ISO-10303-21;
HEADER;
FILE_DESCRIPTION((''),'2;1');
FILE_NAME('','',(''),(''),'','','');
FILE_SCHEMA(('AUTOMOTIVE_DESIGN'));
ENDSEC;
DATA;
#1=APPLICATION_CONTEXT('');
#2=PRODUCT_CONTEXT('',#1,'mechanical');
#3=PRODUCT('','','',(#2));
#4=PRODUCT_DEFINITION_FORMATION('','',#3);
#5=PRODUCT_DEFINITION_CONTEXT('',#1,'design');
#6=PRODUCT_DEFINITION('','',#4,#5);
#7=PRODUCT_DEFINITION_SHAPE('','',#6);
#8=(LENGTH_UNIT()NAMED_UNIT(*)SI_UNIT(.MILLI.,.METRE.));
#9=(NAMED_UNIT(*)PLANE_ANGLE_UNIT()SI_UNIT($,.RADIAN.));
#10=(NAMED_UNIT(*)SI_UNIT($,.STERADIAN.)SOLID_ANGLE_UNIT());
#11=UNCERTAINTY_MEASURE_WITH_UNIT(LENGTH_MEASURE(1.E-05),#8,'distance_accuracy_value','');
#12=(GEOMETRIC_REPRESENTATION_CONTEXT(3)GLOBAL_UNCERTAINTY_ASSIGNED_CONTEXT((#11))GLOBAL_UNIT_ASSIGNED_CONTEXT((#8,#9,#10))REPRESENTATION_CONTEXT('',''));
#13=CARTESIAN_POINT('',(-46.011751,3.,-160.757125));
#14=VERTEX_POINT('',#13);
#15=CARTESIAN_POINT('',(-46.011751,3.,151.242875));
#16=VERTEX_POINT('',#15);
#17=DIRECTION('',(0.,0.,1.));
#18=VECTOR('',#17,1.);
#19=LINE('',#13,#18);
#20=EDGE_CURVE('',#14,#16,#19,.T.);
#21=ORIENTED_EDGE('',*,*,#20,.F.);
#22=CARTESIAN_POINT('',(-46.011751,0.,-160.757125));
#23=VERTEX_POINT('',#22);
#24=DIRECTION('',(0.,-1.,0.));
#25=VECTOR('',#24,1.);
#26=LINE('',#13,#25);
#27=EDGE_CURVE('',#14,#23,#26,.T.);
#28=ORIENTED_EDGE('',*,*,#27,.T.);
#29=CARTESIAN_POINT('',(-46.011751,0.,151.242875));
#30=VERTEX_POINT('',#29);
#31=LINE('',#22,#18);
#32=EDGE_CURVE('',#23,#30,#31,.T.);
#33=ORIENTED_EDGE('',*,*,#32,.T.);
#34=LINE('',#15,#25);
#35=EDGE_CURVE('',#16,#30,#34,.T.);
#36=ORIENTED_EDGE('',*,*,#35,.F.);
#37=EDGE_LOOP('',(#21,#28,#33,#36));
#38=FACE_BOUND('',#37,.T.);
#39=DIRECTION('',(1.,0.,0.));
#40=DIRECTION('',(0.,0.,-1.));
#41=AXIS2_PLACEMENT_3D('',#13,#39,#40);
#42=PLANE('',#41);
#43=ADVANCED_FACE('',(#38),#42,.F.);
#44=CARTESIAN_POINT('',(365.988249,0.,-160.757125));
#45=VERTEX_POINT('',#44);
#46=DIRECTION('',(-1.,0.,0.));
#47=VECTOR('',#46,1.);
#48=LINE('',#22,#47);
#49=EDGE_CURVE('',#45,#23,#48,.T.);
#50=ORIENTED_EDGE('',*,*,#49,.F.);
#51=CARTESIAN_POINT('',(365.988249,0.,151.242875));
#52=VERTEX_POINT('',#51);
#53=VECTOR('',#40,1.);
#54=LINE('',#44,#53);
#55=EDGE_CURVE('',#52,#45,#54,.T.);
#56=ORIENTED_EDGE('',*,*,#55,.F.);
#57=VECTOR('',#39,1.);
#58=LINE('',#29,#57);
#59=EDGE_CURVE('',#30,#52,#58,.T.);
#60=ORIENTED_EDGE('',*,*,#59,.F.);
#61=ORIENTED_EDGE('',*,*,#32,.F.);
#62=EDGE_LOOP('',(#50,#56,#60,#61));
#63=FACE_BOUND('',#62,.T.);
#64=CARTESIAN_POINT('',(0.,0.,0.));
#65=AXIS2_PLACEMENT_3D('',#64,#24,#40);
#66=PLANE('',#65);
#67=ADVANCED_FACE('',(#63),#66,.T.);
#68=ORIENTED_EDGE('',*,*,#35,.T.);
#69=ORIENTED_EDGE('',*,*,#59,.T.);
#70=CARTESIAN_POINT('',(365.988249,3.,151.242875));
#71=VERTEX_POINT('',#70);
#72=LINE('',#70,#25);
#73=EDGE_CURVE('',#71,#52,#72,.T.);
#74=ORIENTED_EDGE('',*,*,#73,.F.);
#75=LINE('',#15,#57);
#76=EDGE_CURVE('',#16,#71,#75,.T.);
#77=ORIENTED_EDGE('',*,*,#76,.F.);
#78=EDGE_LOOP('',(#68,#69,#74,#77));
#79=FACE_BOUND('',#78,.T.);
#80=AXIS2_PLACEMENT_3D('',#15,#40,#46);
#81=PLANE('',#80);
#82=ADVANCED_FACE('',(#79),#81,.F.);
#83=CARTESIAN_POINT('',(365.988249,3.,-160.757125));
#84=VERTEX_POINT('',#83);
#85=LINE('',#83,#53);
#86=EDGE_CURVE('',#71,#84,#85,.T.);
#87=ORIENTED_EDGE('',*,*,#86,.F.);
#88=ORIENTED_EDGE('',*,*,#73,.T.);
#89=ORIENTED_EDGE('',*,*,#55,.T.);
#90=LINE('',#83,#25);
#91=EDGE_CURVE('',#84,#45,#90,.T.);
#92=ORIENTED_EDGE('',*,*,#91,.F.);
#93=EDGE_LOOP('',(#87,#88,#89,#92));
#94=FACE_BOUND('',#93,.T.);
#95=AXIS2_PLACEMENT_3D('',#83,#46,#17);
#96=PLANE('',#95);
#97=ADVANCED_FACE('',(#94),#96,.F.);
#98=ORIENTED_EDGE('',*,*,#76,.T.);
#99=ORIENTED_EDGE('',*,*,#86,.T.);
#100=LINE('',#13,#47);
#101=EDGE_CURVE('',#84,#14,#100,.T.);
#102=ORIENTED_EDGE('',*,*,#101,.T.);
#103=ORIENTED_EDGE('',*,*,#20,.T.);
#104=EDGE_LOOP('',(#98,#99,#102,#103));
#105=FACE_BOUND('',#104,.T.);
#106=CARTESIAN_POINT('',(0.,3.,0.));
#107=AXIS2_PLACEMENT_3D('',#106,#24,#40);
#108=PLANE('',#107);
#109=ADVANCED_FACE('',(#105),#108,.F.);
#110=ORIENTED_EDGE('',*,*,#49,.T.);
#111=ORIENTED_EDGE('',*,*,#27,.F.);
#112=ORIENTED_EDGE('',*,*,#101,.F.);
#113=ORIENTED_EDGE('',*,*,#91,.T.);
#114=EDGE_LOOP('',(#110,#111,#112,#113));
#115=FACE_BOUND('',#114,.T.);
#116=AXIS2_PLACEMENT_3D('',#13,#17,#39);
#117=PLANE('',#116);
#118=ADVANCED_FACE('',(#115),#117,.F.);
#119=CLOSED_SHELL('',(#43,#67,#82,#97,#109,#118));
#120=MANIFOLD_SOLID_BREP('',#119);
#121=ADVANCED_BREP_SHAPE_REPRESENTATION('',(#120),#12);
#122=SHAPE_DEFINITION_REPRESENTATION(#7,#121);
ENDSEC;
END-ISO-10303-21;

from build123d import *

# Parameters (mm, degrees)
SKETCH1_W           = 412
SKETCH1_H           = 312
BOSS_EXTRUDE1_DEPTH = 3


with BuildPart() as part:
    # Sketch1 → Boss-Extrude1 (new body)
    with BuildSketch(Plane(origin=(0, 0, 0), x_dir=(1, 0, 0), z_dir=(0, 1, 0))):
        with Locations((159.988248822, 4.757124999)):
            Rectangle(SKETCH1_W, SKETCH1_H)
    extrude(amount=BOSS_EXTRUDE1_DEPTH)


solid = part.part
